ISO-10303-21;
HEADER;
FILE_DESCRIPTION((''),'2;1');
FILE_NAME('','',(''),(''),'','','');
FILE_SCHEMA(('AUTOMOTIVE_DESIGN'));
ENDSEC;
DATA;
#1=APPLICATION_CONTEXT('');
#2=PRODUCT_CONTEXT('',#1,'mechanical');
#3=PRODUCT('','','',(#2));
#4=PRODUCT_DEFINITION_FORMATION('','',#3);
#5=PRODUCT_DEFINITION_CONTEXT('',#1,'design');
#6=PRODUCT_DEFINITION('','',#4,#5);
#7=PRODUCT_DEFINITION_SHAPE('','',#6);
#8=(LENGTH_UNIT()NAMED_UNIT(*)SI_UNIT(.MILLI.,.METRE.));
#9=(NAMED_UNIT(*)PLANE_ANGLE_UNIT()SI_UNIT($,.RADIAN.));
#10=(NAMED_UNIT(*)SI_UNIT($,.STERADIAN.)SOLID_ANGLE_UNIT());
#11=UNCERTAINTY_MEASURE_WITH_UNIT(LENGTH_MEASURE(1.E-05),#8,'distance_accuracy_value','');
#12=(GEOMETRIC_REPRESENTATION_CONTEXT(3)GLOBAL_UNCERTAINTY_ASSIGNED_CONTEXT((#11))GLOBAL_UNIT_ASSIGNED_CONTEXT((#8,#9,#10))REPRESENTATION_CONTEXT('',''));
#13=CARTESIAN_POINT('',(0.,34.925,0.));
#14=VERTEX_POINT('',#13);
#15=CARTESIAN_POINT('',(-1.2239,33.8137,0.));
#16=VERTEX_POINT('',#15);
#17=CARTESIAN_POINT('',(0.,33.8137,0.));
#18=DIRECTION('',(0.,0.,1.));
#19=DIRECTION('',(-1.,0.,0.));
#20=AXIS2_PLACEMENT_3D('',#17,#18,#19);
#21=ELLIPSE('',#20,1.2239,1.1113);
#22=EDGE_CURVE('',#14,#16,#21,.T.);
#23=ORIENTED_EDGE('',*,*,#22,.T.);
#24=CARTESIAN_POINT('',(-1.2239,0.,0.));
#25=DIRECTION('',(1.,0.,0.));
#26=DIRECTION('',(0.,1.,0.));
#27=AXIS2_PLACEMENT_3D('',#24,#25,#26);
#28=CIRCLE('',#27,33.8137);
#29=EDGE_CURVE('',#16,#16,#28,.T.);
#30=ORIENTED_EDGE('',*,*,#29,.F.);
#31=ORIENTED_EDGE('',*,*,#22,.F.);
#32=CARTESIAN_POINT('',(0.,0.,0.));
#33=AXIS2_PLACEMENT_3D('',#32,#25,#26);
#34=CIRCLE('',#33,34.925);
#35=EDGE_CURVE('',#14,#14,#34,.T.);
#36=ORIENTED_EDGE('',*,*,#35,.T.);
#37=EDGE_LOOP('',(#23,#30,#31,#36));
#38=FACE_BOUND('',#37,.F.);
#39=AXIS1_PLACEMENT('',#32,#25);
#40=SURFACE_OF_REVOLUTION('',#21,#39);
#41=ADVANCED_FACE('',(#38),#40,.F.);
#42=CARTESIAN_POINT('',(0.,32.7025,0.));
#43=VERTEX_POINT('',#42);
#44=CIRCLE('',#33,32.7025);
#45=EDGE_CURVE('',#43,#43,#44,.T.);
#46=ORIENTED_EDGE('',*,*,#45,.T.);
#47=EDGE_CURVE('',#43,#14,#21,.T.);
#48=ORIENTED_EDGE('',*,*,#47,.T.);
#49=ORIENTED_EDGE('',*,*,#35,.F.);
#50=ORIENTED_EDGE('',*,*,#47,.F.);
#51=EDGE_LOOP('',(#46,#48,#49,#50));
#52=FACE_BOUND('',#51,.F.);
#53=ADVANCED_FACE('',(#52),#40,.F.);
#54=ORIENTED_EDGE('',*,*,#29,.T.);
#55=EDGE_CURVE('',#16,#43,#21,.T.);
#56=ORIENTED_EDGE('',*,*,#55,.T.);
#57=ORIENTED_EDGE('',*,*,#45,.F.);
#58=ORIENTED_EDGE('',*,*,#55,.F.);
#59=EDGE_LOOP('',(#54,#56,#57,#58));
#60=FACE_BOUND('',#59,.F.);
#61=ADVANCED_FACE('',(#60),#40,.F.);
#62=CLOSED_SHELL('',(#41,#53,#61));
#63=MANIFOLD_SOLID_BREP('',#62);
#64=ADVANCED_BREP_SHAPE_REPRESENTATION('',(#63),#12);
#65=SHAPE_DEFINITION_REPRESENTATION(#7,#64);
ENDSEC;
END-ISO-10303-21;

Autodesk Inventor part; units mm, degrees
ref_plane "YZ Plane" through (0, 0, 0) normal (1, 0, 0) x (0, 1, 0)
ref_plane "XZ Plane" through (0, 0, 0) normal (0, 1, 0) x (-1, 0, 0)
ref_plane "XY Plane" through (0, 0, 0) normal (0, 0, 1) x (1, 0, 0)
sketch "Sketch1" plane through (0, 0, 0) normal (0, 0, 1) x (1, 0, 0)
  line L0 (0, 0) -> (0, 32.7025)
  line L1 (0, 0) -> (0, 34.925)
  line L2 (0, 34.925) -> (0, 32.7025)
  ellipse E0 centre (0, 33.8137) end of major axis (0, 34.925) minor radius 1.2239
  line L3 (0, 0) -> (1.7541, 0)
  dimension "d0" = 32.7025
  dimension "d2" = 34.925
revolve "Revolution1" add sketch "Sketch1" angle 360 about axis through (0, 0, 0) along (1, 0, 0)
properties part number "ORingA70_2.487ID_2.693OD_Compressed" material "Rubber, Silicone"
